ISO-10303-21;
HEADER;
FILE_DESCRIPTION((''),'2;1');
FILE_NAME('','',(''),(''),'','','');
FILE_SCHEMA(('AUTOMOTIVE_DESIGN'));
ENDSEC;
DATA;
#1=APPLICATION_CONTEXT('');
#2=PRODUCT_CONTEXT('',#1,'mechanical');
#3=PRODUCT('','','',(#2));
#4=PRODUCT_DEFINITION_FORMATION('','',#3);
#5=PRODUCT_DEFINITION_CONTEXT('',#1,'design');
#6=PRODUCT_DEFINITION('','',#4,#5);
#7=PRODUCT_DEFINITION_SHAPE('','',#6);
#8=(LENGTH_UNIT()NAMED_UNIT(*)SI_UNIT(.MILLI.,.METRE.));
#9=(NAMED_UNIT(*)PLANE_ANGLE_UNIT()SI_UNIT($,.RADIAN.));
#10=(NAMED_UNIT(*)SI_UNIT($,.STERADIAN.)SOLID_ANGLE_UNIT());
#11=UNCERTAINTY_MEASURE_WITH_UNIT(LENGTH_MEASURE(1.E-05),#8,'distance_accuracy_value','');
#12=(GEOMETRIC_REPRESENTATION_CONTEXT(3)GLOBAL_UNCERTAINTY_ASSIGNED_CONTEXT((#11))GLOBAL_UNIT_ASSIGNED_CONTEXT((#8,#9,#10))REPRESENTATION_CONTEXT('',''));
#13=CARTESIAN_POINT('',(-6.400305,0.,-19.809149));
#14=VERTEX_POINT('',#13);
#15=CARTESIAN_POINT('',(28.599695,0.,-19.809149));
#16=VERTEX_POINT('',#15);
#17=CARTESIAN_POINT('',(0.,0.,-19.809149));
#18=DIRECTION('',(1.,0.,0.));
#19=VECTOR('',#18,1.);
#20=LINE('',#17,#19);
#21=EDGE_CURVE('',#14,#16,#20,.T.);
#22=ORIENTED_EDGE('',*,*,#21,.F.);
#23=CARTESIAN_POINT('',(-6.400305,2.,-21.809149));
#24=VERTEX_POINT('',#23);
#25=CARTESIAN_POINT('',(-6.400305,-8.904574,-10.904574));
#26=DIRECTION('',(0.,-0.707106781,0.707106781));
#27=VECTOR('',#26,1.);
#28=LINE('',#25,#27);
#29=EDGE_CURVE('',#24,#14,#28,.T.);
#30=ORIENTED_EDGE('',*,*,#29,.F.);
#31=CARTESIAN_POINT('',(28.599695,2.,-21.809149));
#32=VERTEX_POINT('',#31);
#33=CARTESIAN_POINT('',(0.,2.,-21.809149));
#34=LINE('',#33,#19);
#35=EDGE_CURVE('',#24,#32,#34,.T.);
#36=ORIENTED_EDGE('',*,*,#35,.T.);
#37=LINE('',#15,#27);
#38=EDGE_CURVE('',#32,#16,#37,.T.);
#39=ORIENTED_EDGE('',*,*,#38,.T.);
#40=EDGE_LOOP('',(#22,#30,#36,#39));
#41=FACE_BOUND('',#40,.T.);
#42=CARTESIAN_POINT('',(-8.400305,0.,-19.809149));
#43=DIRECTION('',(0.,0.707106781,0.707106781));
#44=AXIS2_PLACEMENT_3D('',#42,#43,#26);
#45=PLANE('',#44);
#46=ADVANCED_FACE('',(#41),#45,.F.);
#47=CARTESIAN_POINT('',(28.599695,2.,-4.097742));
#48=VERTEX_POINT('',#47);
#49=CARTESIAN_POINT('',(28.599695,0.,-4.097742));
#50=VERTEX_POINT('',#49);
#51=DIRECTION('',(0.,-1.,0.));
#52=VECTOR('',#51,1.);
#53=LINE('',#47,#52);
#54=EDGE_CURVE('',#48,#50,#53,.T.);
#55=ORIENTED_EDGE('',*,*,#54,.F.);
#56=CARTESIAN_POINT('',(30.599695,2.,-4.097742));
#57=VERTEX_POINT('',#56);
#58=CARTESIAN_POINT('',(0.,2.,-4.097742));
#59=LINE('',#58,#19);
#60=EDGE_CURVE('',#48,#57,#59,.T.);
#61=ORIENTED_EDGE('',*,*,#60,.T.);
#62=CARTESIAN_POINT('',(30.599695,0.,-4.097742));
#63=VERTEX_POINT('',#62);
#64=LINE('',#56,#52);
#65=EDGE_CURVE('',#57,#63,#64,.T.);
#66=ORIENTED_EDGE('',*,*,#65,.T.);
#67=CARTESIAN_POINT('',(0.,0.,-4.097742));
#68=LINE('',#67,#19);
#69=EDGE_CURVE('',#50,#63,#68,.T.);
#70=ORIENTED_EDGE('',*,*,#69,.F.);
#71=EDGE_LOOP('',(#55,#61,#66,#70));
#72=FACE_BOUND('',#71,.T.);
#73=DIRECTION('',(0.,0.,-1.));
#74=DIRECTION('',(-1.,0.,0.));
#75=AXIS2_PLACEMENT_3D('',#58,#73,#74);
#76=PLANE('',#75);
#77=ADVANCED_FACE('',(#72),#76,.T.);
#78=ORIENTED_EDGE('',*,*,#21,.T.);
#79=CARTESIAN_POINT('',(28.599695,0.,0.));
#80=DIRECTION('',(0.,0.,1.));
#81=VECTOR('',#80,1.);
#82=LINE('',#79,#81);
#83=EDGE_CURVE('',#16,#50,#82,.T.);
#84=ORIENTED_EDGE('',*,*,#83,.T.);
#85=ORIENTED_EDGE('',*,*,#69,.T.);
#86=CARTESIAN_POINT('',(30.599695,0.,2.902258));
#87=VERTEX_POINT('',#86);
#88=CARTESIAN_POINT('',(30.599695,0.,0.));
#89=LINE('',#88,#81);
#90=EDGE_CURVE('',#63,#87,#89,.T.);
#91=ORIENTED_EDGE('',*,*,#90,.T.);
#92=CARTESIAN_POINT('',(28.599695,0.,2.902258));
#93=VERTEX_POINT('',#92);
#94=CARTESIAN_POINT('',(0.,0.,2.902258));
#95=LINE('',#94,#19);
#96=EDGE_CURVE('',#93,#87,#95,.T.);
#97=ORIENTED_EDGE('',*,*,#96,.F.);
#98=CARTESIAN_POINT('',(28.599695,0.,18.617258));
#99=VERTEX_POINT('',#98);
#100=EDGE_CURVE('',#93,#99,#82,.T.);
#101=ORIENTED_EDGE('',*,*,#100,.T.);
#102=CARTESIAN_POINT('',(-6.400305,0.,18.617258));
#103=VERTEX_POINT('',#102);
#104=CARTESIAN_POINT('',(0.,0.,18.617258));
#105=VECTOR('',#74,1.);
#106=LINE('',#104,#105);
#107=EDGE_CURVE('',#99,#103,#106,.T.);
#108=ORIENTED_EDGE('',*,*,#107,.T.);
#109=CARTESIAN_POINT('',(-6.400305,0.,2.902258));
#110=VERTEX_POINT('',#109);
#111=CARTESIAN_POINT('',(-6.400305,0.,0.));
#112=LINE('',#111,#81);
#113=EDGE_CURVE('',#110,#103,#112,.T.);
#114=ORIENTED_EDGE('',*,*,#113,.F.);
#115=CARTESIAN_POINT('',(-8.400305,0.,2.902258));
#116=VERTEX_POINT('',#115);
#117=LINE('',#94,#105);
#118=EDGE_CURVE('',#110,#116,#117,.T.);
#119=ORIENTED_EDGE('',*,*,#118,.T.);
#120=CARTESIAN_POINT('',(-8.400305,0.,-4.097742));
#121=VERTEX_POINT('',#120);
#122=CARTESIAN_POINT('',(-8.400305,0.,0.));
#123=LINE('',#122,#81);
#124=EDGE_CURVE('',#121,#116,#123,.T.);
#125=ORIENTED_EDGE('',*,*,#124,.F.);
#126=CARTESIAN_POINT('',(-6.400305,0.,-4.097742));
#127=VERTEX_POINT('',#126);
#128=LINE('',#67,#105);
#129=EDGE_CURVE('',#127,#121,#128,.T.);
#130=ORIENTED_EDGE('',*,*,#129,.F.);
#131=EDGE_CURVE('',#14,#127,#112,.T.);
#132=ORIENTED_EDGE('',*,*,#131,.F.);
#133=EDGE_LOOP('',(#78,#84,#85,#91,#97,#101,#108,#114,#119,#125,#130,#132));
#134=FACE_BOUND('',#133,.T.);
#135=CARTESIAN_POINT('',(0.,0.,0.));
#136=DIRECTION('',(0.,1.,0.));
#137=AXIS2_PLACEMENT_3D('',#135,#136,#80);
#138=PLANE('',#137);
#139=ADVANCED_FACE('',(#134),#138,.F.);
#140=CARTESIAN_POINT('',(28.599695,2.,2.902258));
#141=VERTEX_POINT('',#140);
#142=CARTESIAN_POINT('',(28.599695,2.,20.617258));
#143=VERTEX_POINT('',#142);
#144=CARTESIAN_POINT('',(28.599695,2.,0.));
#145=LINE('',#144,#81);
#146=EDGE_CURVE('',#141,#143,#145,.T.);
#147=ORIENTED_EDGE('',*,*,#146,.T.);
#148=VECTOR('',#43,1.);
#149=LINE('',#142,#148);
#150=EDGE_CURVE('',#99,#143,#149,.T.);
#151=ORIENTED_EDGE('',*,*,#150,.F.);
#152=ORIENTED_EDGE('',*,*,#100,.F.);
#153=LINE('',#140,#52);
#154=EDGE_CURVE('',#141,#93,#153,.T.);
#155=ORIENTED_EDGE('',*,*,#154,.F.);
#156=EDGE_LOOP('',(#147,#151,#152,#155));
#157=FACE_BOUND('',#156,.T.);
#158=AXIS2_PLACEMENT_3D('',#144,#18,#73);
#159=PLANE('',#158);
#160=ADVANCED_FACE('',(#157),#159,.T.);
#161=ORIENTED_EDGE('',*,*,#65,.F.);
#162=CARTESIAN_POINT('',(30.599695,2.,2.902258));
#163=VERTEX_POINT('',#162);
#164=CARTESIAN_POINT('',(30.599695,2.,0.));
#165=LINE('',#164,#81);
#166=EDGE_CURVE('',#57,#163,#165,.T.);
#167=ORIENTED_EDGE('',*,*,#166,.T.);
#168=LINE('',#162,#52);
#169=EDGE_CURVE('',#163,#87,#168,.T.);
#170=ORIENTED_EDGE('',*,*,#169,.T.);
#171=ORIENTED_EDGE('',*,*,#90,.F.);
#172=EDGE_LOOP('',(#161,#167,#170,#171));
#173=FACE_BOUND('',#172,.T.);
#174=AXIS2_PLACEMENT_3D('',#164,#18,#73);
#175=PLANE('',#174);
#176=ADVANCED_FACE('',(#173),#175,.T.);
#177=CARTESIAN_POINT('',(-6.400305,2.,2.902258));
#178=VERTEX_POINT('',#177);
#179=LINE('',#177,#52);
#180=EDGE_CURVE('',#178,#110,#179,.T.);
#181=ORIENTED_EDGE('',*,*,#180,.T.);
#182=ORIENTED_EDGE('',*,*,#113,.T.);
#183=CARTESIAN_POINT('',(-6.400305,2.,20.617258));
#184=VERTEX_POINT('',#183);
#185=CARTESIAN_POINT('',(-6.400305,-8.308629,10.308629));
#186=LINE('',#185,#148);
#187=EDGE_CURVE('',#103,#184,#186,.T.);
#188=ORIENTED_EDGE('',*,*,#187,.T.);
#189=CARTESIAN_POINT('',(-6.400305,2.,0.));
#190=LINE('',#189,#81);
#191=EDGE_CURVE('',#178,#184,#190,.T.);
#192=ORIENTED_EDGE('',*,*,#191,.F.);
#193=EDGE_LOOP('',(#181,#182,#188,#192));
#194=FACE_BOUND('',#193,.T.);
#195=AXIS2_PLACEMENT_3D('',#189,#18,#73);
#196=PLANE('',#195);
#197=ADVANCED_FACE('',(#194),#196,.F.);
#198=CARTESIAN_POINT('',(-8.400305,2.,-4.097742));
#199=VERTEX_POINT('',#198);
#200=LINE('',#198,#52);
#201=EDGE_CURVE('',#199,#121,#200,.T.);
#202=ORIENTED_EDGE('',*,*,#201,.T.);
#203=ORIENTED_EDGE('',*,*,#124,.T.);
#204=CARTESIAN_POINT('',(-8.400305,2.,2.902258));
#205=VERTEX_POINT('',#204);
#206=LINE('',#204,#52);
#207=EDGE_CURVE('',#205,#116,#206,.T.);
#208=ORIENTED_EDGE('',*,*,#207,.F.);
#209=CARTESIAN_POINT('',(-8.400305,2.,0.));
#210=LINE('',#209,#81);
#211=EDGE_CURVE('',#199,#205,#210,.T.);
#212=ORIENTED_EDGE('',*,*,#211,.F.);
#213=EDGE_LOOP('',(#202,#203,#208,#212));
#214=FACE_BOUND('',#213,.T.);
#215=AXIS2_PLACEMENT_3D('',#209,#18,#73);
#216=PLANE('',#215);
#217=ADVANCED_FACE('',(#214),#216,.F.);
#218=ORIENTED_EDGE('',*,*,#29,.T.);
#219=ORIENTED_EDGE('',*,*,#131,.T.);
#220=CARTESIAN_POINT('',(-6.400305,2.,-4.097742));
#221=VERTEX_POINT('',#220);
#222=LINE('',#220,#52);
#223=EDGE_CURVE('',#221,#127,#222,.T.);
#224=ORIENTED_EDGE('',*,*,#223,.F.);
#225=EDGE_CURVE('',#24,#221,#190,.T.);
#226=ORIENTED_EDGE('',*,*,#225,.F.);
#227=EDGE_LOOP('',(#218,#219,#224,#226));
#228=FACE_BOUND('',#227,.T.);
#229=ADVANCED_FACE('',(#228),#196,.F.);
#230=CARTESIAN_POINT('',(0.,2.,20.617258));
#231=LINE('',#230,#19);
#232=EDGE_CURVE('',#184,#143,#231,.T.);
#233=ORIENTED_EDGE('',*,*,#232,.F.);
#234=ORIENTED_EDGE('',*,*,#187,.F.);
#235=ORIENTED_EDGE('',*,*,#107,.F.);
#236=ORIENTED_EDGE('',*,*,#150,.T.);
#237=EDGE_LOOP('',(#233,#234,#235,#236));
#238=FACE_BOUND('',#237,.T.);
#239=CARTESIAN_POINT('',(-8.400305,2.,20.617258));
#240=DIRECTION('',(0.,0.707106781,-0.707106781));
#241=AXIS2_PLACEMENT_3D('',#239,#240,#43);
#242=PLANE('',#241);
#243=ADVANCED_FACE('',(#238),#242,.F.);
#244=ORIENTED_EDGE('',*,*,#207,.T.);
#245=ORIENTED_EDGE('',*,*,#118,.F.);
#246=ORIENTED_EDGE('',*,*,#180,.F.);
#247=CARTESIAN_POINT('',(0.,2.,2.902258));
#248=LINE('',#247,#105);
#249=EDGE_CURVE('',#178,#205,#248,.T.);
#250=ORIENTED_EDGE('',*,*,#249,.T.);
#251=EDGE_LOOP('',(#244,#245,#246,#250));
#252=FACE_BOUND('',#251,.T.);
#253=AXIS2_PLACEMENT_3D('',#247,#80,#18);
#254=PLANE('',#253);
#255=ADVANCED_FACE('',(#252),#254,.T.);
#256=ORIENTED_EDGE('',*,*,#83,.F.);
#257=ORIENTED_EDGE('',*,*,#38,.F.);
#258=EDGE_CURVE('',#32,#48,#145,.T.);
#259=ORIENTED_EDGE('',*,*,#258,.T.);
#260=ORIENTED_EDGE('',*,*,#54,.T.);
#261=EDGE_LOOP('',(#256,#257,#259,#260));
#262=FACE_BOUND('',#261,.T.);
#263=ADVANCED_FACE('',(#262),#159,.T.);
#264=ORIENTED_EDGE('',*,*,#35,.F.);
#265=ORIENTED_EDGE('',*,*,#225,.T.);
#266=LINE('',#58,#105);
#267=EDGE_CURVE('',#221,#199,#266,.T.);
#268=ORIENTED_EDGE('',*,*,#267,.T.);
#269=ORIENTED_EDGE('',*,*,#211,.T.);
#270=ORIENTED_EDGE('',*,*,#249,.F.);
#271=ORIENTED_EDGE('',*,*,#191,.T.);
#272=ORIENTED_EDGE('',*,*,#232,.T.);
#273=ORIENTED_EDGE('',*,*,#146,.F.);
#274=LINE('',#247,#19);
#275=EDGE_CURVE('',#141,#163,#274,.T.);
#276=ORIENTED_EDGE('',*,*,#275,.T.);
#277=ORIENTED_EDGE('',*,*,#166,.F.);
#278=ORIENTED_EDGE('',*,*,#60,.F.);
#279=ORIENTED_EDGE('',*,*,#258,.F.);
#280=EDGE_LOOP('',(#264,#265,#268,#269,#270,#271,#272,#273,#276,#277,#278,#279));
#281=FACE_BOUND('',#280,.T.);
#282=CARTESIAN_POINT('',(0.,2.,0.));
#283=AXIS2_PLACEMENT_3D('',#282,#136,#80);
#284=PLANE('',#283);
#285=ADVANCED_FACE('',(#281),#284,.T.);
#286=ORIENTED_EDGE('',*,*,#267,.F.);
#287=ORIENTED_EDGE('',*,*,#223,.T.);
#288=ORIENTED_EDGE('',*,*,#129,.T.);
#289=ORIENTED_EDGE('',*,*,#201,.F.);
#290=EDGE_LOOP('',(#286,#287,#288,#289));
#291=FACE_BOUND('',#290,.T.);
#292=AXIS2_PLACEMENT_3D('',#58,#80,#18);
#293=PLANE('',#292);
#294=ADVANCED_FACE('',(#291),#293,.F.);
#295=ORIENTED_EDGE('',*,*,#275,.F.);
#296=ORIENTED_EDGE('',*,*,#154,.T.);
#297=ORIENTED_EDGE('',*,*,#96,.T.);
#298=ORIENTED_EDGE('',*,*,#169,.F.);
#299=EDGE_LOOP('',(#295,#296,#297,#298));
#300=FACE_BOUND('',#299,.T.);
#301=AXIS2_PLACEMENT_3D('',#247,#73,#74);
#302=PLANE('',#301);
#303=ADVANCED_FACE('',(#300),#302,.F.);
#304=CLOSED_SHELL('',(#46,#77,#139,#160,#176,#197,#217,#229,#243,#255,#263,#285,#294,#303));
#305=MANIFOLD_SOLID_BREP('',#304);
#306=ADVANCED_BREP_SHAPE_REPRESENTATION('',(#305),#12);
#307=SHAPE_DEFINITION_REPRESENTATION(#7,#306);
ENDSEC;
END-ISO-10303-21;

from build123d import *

# Parameters (mm, degrees)
SKETCH1_W           = 2
SKETCH1_H           = 7
SKETCH1_W_2         = 35
SKETCH1_H_2         = 42.42640687
BOSS_EXTRUDE1_DEPTH = 2
CUT_EXTRUDE1_DEPTH  = 43.995801746


with BuildPart() as part:
    # Sketch1 → Boss-Extrude1 (new body)
    with BuildSketch(Plane(origin=(0, 0, 0), x_dir=(1, 0, 0), z_dir=(0, 1, 0))):
        with Locations((-7.400304625, 0.597741848)):
            Rectangle(SKETCH1_W, SKETCH1_H)
        with Locations((11.099695375, 0.595945283)):
            Rectangle(SKETCH1_W_2, SKETCH1_H_2)
        with Locations((29.599695375, 0.597741848)):
            Rectangle(SKETCH1_W, SKETCH1_H)
    extrude(amount=BOSS_EXTRUDE1_DEPTH)

    # Sketch2 → Cut-Extrude1 (cut, through all)
    with BuildSketch(Plane(origin=(28.599695375, 0, 0), x_dir=(0, 0, -1), z_dir=(1, 0, 0))):
        Polygon((-20.617258152, 2), (-18.617258152, 0), (-20.617258152, 0), align=None)
        Polygon((21.809148718, 2), (21.809148718, 0), (19.809148718, 0), align=None)
    extrude(amount=-CUT_EXTRUDE1_DEPTH, mode=Mode.SUBTRACT)


solid = part.part
